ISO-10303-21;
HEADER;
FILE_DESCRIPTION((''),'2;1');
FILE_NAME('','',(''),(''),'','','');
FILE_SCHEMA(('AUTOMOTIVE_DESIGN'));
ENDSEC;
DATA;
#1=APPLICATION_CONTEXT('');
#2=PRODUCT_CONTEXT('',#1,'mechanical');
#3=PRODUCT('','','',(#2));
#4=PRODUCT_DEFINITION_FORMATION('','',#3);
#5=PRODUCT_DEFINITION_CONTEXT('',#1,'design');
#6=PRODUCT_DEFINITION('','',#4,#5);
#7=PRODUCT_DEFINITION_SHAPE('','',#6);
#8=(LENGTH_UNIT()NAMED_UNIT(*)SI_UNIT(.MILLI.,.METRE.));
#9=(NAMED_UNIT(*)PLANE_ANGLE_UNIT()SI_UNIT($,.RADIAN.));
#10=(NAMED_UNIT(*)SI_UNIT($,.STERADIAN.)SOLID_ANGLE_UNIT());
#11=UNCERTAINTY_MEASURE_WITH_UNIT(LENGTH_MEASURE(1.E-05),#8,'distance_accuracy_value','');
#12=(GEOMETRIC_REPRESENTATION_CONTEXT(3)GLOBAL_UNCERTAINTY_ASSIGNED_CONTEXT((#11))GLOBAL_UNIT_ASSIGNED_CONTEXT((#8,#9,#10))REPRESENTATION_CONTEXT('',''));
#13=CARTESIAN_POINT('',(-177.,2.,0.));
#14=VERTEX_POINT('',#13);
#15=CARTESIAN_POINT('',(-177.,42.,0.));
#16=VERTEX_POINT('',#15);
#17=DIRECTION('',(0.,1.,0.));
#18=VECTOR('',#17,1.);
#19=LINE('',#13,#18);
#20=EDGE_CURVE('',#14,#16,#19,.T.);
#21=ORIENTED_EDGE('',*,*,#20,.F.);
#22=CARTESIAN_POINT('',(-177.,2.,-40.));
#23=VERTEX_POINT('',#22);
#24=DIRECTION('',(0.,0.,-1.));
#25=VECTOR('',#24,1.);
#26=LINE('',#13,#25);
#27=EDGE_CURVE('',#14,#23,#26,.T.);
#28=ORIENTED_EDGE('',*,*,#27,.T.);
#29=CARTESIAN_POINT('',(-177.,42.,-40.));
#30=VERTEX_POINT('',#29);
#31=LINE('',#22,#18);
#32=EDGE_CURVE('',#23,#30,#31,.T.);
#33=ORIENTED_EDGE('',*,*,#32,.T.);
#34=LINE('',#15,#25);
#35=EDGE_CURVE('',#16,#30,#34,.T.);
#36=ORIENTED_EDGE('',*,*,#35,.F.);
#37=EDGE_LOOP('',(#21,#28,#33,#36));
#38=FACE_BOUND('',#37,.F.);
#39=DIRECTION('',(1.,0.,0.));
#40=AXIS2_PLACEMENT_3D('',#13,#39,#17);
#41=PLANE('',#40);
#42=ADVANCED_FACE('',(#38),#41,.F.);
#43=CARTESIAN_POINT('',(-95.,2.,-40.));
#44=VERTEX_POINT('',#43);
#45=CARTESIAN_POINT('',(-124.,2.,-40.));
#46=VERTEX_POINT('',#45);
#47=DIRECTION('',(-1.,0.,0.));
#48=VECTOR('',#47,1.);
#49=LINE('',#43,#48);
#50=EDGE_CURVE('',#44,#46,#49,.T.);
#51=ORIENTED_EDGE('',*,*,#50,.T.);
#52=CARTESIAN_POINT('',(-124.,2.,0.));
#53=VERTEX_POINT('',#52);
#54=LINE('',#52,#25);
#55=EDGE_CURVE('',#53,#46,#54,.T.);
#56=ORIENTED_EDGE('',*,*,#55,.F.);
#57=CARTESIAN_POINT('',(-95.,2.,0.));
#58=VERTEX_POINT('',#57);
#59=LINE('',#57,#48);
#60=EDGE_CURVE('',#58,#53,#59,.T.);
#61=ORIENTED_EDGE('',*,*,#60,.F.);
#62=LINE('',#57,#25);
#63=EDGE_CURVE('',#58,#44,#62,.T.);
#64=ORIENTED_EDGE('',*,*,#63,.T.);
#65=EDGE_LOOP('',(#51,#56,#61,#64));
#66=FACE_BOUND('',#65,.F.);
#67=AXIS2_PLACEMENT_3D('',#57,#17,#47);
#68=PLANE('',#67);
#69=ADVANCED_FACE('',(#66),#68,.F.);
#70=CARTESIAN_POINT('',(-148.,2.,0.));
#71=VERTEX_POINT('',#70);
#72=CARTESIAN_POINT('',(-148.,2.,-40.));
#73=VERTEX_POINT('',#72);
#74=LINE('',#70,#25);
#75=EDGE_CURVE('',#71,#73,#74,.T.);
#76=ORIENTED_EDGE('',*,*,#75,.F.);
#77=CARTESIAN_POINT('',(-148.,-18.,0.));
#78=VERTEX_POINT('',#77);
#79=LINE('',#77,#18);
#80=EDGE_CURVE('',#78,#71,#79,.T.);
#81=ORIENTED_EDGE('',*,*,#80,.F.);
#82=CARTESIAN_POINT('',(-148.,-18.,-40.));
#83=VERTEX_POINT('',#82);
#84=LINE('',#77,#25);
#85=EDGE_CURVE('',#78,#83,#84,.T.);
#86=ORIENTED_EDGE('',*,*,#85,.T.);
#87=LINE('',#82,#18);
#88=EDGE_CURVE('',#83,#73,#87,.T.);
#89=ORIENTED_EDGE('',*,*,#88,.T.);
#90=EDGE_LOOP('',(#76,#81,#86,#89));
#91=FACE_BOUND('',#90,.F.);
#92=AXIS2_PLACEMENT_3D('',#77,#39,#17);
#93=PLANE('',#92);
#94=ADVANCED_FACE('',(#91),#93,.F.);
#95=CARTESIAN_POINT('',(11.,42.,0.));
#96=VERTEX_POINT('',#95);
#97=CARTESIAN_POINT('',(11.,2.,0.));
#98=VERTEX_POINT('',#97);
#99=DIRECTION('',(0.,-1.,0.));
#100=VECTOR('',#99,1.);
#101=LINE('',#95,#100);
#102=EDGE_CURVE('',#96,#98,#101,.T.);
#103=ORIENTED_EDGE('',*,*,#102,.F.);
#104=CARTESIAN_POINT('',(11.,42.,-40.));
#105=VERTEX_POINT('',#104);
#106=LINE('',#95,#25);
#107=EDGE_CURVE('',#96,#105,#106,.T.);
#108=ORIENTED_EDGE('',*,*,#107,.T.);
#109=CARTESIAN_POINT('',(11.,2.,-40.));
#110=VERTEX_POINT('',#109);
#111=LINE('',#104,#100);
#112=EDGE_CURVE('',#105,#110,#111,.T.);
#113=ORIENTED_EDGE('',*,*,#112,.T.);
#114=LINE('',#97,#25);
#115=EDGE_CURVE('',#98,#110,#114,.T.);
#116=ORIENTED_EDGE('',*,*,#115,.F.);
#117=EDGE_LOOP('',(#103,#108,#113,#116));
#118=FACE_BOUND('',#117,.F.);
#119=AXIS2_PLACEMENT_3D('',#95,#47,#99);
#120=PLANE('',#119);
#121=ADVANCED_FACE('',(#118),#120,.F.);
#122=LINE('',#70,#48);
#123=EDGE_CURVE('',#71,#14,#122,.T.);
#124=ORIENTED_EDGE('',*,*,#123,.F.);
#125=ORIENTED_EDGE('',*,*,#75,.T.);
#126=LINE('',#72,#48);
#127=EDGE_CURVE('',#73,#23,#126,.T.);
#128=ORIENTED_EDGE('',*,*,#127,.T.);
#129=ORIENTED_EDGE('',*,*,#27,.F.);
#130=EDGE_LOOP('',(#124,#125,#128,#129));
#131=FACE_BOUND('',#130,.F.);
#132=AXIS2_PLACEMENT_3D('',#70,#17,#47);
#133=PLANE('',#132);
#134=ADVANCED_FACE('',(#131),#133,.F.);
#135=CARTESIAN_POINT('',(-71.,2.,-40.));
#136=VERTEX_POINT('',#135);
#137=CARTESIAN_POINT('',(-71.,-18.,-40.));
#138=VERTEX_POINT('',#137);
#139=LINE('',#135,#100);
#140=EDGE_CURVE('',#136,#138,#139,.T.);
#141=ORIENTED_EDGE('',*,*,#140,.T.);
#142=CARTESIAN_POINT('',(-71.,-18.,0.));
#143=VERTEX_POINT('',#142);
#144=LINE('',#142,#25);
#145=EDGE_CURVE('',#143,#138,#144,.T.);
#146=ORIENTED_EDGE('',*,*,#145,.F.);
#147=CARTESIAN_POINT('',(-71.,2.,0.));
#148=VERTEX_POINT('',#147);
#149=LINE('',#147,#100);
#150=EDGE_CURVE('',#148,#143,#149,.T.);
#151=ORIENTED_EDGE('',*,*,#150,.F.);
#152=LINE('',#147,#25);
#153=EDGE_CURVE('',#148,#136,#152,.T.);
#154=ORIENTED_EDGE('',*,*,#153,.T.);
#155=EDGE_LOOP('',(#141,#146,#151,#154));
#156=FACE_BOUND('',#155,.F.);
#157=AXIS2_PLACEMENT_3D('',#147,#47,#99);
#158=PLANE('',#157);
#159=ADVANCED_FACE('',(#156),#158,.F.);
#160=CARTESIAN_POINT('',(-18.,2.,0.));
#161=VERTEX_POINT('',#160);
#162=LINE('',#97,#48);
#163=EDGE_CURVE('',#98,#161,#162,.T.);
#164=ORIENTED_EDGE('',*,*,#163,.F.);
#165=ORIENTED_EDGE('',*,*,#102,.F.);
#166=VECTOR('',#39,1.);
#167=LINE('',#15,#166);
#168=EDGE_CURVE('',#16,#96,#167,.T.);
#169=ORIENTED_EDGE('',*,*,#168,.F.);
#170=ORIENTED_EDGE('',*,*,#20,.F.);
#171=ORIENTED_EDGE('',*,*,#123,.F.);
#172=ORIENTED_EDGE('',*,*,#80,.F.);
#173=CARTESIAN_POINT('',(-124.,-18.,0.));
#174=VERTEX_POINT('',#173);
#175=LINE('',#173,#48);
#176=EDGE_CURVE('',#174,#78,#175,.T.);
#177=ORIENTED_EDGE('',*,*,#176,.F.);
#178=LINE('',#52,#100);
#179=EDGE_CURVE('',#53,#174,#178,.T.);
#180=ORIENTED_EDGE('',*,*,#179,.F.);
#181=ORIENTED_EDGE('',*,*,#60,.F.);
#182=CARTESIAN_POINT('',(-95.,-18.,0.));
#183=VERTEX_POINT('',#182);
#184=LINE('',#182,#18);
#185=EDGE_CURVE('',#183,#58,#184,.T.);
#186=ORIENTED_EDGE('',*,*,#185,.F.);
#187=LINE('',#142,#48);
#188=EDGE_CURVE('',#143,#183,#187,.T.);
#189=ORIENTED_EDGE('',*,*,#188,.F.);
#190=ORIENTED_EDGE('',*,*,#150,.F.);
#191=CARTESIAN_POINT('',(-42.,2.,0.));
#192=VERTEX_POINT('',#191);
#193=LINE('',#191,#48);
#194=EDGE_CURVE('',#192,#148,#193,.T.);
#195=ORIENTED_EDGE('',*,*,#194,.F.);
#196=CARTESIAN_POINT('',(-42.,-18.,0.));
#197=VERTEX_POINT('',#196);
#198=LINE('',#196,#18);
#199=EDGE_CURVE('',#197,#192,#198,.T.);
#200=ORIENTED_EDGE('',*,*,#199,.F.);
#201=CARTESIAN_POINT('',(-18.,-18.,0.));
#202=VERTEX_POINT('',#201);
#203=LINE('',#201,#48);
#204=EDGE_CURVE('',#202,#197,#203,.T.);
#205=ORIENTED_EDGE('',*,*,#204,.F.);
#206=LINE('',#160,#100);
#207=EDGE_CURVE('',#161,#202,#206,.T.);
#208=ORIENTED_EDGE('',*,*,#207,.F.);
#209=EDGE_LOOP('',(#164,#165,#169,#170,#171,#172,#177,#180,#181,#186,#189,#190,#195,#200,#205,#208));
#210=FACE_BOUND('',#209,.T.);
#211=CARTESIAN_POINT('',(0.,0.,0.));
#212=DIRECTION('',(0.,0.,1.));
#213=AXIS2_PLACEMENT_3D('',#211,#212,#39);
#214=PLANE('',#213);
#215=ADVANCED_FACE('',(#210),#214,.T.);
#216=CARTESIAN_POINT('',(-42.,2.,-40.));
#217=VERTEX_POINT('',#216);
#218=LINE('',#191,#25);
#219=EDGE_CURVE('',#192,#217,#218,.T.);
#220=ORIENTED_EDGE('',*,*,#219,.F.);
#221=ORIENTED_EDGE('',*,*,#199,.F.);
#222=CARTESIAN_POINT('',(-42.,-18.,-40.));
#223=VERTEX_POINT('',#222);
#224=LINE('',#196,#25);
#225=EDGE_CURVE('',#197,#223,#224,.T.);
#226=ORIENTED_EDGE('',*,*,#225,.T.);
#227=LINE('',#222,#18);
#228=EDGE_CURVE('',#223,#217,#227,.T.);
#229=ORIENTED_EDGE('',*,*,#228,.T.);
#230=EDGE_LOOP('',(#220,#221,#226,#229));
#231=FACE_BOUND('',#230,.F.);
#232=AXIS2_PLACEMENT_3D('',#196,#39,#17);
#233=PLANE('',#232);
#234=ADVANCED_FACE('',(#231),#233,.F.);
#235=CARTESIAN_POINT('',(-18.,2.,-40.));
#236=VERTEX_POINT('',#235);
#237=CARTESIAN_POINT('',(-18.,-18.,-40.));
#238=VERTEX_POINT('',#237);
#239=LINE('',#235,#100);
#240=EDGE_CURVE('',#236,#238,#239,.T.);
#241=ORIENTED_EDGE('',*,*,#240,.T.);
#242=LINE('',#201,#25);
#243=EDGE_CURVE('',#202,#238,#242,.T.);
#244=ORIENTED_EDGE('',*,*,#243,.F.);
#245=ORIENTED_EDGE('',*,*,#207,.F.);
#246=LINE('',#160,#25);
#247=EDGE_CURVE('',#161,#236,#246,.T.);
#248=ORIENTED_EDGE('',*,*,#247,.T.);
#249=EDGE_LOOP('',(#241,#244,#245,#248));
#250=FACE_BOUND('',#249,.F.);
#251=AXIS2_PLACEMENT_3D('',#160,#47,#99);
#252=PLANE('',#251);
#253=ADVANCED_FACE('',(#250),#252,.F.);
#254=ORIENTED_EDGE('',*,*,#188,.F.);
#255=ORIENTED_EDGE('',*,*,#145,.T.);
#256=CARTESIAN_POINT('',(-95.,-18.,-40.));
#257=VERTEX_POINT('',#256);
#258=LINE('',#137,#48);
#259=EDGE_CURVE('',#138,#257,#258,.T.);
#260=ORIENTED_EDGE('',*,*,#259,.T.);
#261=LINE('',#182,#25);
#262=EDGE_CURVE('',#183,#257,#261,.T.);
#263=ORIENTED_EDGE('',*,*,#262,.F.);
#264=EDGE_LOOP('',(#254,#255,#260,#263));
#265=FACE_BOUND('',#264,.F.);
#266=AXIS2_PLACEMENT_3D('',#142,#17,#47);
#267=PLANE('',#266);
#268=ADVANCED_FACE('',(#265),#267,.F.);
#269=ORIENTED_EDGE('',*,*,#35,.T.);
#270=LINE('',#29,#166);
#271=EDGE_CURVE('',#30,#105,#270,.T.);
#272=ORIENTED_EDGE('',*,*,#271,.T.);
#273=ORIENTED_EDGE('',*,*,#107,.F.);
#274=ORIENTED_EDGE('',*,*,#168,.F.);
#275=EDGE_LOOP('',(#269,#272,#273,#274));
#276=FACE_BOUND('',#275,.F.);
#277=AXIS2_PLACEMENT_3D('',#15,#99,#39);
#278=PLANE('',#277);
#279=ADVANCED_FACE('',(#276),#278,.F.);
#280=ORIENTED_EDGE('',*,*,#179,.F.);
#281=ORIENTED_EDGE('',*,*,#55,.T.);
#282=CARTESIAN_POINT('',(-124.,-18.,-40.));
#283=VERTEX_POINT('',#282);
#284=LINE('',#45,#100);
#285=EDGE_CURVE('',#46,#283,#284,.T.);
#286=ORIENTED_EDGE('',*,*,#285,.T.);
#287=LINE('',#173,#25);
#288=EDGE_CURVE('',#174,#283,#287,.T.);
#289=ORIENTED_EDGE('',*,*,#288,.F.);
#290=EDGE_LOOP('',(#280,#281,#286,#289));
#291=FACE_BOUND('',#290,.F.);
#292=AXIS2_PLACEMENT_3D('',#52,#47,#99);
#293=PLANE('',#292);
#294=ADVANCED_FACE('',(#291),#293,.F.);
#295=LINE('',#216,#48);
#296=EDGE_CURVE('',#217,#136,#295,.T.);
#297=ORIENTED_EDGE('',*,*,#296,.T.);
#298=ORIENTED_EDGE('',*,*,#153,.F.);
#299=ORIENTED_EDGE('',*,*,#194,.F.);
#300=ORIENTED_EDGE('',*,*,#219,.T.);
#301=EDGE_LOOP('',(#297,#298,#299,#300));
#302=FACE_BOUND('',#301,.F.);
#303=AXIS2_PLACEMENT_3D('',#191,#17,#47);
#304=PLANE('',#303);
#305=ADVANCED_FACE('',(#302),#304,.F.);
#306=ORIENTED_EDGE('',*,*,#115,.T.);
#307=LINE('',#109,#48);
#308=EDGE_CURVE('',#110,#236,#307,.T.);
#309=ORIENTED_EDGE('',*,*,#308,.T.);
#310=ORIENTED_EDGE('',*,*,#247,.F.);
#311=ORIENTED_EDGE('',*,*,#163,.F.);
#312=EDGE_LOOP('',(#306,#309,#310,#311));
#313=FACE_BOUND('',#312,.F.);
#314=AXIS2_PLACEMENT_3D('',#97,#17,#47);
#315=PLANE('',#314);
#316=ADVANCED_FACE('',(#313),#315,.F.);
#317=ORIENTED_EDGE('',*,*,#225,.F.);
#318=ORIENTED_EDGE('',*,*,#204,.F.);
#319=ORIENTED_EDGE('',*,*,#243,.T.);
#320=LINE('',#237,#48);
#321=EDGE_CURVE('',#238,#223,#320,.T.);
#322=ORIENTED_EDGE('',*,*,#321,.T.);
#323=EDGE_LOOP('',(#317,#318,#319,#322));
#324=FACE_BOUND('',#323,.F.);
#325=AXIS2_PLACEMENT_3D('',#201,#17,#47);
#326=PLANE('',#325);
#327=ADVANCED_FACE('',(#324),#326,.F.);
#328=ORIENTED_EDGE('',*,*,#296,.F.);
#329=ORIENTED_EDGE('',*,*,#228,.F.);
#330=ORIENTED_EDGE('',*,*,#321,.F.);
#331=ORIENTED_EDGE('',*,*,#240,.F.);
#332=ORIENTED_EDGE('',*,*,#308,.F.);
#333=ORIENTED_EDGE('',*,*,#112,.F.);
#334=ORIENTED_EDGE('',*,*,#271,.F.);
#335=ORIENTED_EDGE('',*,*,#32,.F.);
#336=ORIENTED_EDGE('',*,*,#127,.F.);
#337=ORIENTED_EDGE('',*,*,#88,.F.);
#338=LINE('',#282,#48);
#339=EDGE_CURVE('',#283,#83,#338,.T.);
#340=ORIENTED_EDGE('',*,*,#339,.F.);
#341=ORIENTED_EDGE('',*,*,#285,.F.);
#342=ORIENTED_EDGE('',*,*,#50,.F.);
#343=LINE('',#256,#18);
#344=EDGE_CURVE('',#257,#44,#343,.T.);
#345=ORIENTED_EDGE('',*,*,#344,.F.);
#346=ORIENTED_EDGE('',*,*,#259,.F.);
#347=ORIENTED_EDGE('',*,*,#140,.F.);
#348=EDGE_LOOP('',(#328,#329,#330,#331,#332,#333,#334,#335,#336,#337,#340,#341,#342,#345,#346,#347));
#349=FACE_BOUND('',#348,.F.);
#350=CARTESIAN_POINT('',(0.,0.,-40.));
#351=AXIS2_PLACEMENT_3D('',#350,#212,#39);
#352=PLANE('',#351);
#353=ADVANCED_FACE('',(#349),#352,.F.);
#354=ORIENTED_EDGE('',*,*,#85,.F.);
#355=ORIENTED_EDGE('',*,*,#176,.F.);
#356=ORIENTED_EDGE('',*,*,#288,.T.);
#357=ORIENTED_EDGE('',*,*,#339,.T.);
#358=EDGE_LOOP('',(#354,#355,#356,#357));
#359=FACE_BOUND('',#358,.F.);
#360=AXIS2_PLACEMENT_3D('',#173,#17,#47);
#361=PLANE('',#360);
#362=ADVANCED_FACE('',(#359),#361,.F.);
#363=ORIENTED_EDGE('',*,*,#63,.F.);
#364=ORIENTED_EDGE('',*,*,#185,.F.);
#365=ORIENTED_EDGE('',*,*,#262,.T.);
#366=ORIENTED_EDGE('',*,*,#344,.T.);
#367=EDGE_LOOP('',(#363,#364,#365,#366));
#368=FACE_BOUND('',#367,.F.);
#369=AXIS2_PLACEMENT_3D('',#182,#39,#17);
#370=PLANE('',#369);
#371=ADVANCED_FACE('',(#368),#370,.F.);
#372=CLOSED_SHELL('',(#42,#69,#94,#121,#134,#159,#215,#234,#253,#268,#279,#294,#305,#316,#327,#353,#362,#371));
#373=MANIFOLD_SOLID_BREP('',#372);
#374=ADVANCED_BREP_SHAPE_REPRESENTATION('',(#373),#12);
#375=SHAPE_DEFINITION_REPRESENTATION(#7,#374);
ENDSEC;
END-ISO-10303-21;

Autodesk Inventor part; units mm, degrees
ref_plane "YZ Plane" through (0, 0, 0) normal (1, 0, 0) x (0, 1, 0)
ref_plane "XZ Plane" through (0, 0, 0) normal (0, 1, 0) x (-1, 0, 0)
ref_plane "XY Plane" through (0, 0, 0) normal (0, 0, 1) x (1, 0, 0)
sketch "Sketch1" plane through (0, 0, 0) normal (0, 0, 1) x (1, 0, 0)
  line L0 (-45, 0) -> (-45, -40) construction
  line L1 (-68, -840) -> (-68, 0) construction
  line L2 (-98, 0) -> (-98, -840) construction
  line L3 (-121, -40) -> (-121, 0) construction
  line L4 (-151, 0) -> (-151, -40) construction
  line L5 (-174, -840) -> (-174, 0) construction
  line L6 (-15, -40) -> (-15, 0) construction
  line L7 (8, 0) -> (8, -840) construction
  line L8 (11, 2) -> (-18, 2)
  line L9 (-18, 2) -> (-18, -18)
  line L10 (-18, -18) -> (-42, -18)
  line L11 (-42, -18) -> (-42, 2)
  line L12 (-42, 2) -> (-71, 2)
  line L13 (-71, 2) -> (-71, -18)
  line L14 (-71, -18) -> (-95, -18)
  line L15 (-95, -18) -> (-95, 2)
  line L16 (-95, 2) -> (-124, 2)
  line L17 (-124, 2) -> (-124, -18)
  line L18 (-124, -18) -> (-148, -18)
  line L19 (-148, -18) -> (-148, 2)
  line L20 (-148, 2) -> (-177, 2)
  line L21 (-177, 2) -> (-177, 42)
  line L22 (-177, 42) -> (11, 42)
  line L23 (11, 42) -> (11, 2)
  point P0 (0, 0)
  dimension "d0" = 60
  dimension "d1" = 40
  dimension "d2" = 2
  dimension "d3" = 3
  dimension "d4" = 3
  dimension "d5" = 3
  dimension "d6" = 3
  dimension "d7" = 3
  dimension "d8" = 3
  dimension "d9" = 3
  dimension "d10" = 3
extrude "Extrusion1" add sketch "Sketch1" against normal blind 40
properties part number "Separator" material "Wood"
